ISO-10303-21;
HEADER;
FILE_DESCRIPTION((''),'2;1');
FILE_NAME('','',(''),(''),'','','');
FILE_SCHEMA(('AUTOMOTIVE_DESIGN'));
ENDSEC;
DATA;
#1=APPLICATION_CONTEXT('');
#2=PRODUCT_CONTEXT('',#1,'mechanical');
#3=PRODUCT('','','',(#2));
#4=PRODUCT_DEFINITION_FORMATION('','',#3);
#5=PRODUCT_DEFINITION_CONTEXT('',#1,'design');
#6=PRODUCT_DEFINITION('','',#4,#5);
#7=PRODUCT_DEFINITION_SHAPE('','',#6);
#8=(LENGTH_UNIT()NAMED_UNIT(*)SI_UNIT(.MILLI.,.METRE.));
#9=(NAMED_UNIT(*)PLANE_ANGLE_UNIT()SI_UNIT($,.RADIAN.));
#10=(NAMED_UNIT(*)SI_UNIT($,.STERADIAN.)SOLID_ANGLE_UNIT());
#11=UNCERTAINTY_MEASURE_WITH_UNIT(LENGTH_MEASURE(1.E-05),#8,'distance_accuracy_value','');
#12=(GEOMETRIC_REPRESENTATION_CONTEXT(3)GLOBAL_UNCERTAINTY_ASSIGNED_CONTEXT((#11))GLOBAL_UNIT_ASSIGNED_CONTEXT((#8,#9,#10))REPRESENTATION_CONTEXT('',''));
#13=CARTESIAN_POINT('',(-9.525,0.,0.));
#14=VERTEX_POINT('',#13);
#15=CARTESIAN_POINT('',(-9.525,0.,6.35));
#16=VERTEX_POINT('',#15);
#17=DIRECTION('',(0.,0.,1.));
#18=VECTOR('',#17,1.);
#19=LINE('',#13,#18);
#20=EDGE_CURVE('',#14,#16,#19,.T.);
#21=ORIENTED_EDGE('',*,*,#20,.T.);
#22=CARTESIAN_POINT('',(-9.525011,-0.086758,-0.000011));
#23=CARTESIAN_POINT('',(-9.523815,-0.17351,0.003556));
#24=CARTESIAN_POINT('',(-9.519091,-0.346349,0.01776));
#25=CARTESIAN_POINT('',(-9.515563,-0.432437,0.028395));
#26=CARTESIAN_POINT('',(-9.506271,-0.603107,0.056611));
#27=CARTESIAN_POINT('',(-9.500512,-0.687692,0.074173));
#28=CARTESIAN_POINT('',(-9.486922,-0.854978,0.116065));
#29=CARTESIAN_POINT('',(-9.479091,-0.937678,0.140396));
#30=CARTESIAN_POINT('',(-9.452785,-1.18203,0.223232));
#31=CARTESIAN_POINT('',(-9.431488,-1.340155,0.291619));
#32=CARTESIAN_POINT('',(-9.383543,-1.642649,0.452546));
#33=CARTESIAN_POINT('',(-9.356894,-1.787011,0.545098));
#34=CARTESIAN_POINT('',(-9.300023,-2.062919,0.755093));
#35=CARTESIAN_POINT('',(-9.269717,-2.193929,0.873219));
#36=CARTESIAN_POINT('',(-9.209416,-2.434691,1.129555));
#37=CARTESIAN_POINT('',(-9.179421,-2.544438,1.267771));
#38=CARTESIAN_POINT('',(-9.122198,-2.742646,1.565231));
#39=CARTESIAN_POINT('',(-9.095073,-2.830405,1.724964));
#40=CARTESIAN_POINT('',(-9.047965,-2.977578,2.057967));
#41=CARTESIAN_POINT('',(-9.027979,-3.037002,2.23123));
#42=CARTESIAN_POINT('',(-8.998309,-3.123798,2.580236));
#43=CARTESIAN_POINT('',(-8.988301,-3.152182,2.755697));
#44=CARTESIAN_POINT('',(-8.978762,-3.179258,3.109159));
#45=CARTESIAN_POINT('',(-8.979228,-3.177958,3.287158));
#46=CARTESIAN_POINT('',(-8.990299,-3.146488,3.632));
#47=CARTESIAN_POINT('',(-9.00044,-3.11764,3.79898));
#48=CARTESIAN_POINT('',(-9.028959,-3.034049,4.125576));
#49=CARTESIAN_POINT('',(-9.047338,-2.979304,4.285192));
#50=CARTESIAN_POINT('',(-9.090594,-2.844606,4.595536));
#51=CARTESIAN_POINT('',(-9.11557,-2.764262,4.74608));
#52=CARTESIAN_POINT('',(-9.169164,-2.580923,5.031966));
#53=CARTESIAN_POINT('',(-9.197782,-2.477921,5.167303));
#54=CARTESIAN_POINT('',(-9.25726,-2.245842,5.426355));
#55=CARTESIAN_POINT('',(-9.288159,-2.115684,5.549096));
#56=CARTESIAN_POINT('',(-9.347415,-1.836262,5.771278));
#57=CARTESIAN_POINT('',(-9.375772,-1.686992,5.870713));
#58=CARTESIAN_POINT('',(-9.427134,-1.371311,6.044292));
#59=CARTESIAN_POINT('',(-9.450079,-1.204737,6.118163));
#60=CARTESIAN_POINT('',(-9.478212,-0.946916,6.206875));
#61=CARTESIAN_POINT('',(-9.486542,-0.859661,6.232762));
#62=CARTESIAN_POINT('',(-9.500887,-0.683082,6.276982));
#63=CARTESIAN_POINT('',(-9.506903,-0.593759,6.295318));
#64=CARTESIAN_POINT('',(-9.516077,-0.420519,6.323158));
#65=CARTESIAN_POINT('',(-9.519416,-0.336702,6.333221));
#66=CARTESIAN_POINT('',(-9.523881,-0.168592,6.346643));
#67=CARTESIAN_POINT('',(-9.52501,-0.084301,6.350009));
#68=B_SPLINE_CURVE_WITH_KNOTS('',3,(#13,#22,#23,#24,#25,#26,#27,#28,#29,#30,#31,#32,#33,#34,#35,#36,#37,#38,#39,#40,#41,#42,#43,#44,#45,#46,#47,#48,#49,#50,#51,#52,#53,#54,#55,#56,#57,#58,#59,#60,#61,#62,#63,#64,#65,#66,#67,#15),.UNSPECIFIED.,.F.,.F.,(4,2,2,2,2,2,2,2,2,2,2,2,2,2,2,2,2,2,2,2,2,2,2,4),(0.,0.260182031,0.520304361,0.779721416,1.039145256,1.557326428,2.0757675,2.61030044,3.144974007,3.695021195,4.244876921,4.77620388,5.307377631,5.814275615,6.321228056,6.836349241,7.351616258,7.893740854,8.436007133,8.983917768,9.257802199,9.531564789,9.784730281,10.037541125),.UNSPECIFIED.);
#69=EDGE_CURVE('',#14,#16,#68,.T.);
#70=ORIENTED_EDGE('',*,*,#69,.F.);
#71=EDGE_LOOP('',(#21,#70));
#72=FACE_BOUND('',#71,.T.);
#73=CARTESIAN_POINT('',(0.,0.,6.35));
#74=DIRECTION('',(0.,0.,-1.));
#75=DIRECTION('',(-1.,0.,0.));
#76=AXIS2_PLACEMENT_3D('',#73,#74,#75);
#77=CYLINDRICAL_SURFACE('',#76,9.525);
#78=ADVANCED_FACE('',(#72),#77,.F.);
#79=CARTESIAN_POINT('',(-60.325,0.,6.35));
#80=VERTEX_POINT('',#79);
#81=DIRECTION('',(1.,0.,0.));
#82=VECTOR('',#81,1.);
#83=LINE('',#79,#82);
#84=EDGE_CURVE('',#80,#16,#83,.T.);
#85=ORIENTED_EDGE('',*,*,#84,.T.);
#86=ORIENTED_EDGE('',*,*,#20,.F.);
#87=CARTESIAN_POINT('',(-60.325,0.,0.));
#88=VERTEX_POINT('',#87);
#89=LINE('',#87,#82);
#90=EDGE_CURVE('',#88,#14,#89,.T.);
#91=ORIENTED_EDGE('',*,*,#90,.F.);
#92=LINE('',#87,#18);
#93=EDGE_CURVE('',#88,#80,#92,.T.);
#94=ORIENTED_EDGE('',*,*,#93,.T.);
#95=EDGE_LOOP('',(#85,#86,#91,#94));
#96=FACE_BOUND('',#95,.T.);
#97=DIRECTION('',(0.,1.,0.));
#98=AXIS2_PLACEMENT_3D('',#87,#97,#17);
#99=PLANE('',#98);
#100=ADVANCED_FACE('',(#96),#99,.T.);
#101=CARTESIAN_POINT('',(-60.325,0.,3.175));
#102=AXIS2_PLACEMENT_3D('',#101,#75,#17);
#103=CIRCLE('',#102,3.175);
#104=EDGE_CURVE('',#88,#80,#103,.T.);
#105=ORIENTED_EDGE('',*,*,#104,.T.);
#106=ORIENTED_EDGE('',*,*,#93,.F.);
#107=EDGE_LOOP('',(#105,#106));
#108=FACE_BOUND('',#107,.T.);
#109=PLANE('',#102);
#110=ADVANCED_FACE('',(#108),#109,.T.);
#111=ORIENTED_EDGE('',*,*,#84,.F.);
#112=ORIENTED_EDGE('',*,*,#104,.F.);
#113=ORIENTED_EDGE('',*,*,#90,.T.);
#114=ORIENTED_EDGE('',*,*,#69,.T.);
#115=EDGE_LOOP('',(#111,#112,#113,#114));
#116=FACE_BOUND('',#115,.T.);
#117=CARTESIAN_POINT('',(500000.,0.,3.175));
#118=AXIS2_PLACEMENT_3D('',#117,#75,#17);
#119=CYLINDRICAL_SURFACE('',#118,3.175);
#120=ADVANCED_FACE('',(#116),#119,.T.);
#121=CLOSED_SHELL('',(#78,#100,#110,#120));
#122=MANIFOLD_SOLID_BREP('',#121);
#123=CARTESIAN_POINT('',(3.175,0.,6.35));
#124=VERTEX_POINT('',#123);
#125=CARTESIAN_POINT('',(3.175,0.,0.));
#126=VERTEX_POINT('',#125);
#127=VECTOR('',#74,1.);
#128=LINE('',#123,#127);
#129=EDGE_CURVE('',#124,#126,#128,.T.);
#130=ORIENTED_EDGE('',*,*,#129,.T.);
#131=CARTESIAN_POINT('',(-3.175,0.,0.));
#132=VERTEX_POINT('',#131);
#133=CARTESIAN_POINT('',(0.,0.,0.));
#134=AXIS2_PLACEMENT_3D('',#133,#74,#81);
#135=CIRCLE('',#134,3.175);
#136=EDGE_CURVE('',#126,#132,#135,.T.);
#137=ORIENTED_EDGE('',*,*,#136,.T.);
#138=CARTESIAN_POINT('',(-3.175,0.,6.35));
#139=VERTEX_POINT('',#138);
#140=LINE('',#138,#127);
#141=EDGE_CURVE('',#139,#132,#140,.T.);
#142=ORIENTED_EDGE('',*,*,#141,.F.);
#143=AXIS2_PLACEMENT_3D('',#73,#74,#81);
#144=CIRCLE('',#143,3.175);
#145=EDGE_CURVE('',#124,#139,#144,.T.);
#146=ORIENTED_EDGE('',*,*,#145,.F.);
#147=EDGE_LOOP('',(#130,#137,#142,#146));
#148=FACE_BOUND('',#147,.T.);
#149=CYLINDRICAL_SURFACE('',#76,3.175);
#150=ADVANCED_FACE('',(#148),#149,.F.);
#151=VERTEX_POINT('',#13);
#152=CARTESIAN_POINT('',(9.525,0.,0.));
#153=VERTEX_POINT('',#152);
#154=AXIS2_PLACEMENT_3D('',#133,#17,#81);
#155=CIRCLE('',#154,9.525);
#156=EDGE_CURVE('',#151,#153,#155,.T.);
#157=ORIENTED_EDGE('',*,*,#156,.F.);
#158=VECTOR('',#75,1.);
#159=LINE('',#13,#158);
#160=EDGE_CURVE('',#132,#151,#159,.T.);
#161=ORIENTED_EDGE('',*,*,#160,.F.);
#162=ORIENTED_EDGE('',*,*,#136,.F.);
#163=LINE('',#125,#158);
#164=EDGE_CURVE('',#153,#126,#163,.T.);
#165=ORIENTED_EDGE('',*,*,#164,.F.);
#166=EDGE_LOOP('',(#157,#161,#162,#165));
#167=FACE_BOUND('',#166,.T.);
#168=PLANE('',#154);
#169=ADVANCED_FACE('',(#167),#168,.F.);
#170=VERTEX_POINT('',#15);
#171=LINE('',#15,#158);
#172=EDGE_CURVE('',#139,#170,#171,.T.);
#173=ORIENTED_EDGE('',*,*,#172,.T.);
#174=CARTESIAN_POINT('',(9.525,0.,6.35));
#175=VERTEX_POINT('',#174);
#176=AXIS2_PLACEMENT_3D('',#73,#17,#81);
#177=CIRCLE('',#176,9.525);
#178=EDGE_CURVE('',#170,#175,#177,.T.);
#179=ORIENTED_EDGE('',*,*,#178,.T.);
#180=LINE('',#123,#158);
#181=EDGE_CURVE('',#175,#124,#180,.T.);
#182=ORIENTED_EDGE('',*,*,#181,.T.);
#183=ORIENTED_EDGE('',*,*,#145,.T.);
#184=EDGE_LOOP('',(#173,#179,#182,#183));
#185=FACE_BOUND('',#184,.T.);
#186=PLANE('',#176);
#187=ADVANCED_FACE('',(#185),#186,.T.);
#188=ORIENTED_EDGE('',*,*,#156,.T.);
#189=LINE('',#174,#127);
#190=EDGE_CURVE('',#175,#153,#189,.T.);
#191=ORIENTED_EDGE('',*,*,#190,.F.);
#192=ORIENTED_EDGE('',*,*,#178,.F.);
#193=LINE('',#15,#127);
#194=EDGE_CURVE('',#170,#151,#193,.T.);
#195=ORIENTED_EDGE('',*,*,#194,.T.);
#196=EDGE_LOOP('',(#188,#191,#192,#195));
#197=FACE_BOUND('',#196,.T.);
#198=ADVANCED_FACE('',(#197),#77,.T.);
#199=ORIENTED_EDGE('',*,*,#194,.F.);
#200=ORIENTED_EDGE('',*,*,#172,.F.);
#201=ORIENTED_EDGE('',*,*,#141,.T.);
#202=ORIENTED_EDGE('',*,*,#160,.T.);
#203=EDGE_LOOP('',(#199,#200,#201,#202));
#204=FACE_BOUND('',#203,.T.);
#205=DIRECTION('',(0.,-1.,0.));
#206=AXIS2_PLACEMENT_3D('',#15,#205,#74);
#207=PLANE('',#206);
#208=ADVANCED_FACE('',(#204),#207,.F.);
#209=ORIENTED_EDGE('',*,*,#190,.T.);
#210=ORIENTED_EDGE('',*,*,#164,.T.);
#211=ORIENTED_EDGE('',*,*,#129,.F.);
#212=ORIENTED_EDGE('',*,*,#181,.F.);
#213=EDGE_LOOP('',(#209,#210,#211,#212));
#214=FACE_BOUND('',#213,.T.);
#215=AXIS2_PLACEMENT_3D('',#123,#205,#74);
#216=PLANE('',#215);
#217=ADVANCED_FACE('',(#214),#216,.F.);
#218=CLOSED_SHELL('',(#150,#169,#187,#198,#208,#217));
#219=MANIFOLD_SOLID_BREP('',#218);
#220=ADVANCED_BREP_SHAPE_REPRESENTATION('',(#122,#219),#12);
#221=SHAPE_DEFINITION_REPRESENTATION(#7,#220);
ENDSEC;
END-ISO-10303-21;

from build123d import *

# Parameters (mm, degrees)
BOSS_EXTRUDE1_DEPTH                  = 6.35
BOSS_EXTRUDE2_DEPTH                  = 50.8
BOSS_EXTRUDE2_DIRECTION_2_REACH      = 24.225
BOSS_EXTRUDE2_DIRECTION_2_END_RADIUS = 9.525


with BuildPart() as part:
    # Sketch2 → Boss-Extrude1 (new body)
    with BuildSketch(Plane.XY):
        with BuildLine():
            Line((-9.525, 0), (-3.175, 0))
            ThreePointArc((-3.175, 0), (0, -3.175), (3.175, 0))
            Line((3.175, 0), (9.525, 0))
            ThreePointArc((9.525, 0), (0, -9.525), (-9.525, 0))
        make_face()
    extrude(amount=BOSS_EXTRUDE1_DEPTH)


with BuildPart() as body_2:
    # Sketch3 → Boss-Extrude2 (new body)
    with BuildSketch(Plane.ZY.offset(9.525)):
        with BuildLine():
            Line((0, 0), (6.35, 0))
            ThreePointArc((6.35, 0), (3.175, -3.175), (0, 0))
        make_face()
    extrude(amount=BOSS_EXTRUDE2_DEPTH)

    # Boss-Extrude2 direction 2: up to this cylinder (the profile starts outside it)
    boss_extrude2_direction_2_end = Plane(origin=(0, 0, 3.175), z_dir=(0, 0, -1)) * Cylinder(BOSS_EXTRUDE2_DIRECTION_2_END_RADIUS, 68.5, mode=Mode.PRIVATE)
    # Sketch3 → Boss-Extrude2 direction 2 (add, up to the surface)
    with BuildSketch(Plane.ZY.offset(9.525), mode=Mode.PRIVATE) as boss_extrude2_direction_2_sk1:
        with BuildLine():
            Line((0, 0), (6.35, 0))
            ThreePointArc((6.35, 0), (3.175, -3.175), (0, 0))
        make_face()
    boss_extrude2_direction_2_tool1 = extrude(boss_extrude2_direction_2_sk1.sketch, amount=-BOSS_EXTRUDE2_DIRECTION_2_REACH, mode=Mode.PRIVATE) - boss_extrude2_direction_2_end
    add(boss_extrude2_direction_2_tool1.solids().sort_by_distance((-9.525, -1.347512, 3.175))[0])


solid = Compound([part.part, body_2.part])
